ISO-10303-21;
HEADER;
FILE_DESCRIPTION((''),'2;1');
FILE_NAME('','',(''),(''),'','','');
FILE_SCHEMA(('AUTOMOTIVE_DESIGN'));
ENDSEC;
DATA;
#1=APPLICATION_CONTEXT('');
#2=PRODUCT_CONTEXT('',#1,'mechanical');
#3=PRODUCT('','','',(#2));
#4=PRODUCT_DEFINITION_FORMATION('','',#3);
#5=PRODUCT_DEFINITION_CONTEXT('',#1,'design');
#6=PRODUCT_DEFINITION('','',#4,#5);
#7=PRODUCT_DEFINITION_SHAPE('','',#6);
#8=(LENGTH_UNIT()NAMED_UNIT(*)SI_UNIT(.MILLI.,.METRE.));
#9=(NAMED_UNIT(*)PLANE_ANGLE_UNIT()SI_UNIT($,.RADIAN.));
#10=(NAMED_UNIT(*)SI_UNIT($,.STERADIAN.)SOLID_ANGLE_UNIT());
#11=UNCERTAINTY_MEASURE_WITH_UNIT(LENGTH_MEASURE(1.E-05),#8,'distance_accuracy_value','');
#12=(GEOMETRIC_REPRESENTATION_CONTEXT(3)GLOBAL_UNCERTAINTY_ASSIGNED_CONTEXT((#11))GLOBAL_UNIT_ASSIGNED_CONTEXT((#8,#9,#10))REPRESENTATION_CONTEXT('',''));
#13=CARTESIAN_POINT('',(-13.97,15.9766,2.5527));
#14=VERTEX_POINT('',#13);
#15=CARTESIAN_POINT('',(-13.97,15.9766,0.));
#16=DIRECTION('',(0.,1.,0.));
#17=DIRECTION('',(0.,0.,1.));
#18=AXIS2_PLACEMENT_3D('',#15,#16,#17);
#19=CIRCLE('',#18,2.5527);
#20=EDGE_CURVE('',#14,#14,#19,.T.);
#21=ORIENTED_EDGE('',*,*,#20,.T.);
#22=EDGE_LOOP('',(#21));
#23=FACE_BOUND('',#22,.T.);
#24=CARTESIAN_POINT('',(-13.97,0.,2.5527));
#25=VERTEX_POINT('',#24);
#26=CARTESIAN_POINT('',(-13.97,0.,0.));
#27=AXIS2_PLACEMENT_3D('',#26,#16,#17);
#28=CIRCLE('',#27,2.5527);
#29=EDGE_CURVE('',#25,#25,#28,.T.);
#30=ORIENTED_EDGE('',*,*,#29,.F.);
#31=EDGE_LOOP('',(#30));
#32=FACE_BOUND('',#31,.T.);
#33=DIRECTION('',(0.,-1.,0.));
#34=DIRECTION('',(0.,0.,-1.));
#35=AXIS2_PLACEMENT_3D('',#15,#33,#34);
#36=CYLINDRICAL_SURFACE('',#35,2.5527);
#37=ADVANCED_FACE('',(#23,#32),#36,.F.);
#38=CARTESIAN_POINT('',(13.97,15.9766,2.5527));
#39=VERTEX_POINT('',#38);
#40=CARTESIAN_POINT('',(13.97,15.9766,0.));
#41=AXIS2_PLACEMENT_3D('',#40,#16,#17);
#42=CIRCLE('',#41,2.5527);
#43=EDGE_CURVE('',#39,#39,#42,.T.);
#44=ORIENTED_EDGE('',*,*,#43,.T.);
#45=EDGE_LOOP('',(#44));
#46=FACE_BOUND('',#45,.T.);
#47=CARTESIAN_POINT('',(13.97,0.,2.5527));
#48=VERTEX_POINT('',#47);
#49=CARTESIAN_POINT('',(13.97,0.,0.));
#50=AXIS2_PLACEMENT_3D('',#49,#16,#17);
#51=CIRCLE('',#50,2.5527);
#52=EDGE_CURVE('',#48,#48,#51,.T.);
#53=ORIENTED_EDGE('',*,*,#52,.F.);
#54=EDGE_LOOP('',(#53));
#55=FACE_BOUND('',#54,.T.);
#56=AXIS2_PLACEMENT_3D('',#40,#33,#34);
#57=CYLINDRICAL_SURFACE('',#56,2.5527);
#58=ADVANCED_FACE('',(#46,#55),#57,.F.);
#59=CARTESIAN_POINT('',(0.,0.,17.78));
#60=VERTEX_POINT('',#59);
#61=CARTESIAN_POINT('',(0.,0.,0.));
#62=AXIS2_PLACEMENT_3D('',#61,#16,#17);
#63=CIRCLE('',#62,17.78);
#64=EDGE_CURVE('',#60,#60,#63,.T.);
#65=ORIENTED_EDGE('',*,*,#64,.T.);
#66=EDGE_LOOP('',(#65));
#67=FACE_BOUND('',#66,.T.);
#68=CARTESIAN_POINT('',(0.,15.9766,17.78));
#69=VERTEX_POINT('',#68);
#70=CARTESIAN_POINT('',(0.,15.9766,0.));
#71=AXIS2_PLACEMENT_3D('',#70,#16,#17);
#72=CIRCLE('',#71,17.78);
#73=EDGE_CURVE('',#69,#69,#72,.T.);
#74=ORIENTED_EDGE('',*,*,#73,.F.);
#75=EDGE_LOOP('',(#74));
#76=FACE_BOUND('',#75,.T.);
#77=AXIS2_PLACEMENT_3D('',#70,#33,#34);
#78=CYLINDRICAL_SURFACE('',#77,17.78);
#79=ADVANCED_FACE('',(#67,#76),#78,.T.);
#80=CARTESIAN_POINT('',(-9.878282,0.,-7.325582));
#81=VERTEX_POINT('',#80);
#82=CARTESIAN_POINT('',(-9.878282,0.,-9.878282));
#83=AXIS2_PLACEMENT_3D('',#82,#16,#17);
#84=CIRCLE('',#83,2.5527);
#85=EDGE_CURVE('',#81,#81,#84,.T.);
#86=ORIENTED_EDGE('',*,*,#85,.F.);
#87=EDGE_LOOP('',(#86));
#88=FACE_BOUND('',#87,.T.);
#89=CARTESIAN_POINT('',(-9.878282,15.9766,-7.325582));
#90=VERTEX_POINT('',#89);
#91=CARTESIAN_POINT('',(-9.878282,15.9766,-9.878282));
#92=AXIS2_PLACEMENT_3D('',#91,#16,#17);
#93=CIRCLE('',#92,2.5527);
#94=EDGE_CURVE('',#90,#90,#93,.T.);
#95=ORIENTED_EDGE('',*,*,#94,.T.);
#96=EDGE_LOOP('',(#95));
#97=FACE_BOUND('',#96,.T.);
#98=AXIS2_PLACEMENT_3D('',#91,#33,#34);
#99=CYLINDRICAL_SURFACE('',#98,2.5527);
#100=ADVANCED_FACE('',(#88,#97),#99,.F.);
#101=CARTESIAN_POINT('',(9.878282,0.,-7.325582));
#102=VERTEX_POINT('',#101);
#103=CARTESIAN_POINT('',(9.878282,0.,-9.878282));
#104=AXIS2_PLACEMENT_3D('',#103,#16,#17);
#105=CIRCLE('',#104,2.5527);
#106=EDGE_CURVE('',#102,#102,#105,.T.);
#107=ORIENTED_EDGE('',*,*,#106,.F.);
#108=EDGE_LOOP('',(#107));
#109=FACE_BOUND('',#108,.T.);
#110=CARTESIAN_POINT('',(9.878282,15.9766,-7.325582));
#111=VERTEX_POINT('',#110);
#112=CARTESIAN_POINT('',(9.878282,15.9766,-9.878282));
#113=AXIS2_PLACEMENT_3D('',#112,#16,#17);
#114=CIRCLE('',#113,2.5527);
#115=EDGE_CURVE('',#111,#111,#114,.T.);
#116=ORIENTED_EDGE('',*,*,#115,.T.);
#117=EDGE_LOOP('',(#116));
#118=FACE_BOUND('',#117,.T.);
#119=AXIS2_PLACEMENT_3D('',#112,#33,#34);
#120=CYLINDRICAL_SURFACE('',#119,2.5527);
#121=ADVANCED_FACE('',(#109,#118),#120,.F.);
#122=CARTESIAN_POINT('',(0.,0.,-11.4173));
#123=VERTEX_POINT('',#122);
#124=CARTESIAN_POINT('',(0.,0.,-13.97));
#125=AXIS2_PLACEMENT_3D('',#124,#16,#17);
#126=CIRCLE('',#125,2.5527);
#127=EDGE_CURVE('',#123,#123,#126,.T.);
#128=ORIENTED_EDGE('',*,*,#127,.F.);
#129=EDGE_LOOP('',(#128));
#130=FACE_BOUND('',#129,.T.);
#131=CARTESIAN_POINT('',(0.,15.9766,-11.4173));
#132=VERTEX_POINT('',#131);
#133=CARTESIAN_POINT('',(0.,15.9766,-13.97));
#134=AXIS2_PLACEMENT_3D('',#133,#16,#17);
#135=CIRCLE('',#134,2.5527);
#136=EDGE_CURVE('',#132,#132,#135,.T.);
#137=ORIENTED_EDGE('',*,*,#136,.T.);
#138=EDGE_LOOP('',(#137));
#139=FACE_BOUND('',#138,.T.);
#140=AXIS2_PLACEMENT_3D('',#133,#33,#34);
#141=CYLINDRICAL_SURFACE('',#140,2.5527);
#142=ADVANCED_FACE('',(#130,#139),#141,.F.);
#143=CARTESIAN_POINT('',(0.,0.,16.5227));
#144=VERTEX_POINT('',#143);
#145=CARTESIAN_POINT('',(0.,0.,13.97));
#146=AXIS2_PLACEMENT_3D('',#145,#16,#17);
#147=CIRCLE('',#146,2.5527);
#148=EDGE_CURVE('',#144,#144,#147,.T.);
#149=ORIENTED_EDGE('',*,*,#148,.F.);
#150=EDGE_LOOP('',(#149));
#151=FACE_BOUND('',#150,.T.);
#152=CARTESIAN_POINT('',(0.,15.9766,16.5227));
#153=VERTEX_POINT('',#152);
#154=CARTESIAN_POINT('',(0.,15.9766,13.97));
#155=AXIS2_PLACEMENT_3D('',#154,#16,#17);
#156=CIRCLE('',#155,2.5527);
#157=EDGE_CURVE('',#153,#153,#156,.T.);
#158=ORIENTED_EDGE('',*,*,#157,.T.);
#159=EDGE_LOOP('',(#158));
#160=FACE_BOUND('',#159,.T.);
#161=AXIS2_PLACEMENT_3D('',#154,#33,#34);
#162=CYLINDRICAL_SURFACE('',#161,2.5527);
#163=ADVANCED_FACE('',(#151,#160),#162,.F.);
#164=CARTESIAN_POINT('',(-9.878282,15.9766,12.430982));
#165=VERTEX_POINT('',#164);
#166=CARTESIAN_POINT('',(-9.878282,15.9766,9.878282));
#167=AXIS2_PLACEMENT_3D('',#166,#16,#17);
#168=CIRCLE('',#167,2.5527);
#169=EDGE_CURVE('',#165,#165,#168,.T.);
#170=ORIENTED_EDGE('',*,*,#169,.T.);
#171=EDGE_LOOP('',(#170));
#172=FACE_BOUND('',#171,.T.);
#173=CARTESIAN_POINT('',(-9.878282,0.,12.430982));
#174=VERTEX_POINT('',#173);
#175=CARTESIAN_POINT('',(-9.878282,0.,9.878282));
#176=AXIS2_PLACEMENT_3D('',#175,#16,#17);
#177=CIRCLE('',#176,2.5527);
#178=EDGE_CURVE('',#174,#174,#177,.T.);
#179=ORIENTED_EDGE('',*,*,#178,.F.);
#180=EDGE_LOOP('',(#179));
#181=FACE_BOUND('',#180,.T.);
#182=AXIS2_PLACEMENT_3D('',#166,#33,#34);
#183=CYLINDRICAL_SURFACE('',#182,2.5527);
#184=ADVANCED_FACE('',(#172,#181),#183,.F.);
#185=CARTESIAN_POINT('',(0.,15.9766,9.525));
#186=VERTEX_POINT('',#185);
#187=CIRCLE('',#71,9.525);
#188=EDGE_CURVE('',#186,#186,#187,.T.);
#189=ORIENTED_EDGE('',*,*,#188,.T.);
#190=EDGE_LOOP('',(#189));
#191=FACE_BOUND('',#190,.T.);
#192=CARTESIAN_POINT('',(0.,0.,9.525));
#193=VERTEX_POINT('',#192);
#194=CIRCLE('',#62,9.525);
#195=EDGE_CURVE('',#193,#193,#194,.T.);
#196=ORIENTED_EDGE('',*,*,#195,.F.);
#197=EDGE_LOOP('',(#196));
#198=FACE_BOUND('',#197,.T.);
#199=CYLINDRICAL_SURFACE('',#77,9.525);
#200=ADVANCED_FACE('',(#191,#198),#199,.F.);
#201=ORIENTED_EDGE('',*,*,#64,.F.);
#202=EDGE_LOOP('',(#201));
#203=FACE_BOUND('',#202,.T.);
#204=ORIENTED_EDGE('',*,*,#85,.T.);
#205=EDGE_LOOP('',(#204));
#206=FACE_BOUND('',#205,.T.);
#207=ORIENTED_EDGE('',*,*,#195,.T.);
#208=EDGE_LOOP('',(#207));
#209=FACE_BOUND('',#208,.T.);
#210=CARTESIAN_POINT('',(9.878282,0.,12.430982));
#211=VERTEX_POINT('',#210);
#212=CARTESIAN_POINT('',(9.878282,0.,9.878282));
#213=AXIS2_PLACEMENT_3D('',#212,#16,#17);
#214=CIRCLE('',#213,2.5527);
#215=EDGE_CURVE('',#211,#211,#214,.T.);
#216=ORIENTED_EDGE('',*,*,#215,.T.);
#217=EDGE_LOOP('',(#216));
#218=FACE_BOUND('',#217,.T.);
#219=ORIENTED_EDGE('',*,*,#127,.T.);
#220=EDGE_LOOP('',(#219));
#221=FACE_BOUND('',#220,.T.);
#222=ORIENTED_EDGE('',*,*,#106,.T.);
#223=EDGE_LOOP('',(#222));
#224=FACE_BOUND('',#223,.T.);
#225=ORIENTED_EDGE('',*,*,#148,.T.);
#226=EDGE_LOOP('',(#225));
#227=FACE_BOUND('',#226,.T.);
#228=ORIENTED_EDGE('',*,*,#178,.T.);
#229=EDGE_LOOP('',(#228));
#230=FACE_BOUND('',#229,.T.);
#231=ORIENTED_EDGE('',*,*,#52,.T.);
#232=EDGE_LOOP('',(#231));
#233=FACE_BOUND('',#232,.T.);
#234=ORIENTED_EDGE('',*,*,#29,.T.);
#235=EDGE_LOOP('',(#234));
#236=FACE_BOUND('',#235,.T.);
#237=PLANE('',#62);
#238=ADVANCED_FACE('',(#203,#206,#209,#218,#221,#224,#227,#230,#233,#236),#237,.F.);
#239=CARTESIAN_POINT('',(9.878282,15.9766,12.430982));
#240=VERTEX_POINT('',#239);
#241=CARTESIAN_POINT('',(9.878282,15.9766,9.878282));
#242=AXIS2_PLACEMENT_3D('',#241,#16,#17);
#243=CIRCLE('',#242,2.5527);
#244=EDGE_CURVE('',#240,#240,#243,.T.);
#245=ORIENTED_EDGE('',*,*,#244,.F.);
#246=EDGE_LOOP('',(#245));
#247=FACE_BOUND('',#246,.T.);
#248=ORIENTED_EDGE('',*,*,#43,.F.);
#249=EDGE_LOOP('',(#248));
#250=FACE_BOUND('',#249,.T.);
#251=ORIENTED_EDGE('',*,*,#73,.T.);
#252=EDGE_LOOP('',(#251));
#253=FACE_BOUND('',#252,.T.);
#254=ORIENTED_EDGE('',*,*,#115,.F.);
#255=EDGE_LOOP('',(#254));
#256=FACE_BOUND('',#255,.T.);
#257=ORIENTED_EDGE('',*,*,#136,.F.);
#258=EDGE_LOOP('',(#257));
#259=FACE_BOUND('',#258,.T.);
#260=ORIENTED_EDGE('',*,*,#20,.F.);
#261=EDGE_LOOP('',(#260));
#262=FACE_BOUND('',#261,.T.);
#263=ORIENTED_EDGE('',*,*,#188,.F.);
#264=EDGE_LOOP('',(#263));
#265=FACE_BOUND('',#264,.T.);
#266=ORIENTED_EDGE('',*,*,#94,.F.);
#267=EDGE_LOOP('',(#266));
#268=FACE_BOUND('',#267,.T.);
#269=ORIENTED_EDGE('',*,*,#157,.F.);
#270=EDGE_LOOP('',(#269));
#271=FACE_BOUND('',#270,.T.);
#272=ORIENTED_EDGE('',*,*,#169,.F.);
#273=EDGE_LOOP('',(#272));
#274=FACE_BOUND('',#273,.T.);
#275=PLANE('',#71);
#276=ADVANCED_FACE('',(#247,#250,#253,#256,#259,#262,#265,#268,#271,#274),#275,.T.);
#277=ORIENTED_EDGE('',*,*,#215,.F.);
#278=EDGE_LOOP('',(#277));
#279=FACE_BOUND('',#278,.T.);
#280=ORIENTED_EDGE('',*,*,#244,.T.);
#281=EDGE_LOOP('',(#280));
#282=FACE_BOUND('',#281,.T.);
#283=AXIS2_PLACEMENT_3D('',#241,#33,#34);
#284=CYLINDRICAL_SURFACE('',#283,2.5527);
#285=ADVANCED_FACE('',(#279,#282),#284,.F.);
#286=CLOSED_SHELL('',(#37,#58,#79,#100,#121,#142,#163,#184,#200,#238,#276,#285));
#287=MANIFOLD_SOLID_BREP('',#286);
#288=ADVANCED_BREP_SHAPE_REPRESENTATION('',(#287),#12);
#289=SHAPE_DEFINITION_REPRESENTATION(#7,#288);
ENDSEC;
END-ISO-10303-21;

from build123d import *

# Parameters (mm, degrees)
SKETCH1_R           = 17.78
SKETCH1_R_2         = 2.5527
SKETCH1_R_3         = 9.525
BOSS_EXTRUDE1_DEPTH = 15.9766


with BuildPart() as part:
    # Sketch1 → Boss-Extrude1 (new body)
    with BuildSketch(Plane(origin=(0, 0, 0), x_dir=(1, 0, 0), z_dir=(0, 1, 0))):
        Circle(SKETCH1_R)
        with Locations((0, 13.97)):
            Circle(SKETCH1_R_2, mode=Mode.SUBTRACT)
        with Locations((9.878281733, 9.878281733)):
            Circle(SKETCH1_R_2, mode=Mode.SUBTRACT)
        with Locations((13.97, 0)):
            Circle(SKETCH1_R_2, mode=Mode.SUBTRACT)
        with Locations((9.878281733, -9.878281733)):
            Circle(SKETCH1_R_2, mode=Mode.SUBTRACT)
        with Locations((0, -13.97)):
            Circle(SKETCH1_R_2, mode=Mode.SUBTRACT)
        with Locations((-9.878281733, -9.878281733)):
            Circle(SKETCH1_R_2, mode=Mode.SUBTRACT)
        with Locations((-13.97, 0)):
            Circle(SKETCH1_R_2, mode=Mode.SUBTRACT)
        with Locations((-9.878281733, 9.878281733)):
            Circle(SKETCH1_R_2, mode=Mode.SUBTRACT)
        Circle(SKETCH1_R_3, mode=Mode.SUBTRACT)
    extrude(amount=BOSS_EXTRUDE1_DEPTH)


solid = part.part
